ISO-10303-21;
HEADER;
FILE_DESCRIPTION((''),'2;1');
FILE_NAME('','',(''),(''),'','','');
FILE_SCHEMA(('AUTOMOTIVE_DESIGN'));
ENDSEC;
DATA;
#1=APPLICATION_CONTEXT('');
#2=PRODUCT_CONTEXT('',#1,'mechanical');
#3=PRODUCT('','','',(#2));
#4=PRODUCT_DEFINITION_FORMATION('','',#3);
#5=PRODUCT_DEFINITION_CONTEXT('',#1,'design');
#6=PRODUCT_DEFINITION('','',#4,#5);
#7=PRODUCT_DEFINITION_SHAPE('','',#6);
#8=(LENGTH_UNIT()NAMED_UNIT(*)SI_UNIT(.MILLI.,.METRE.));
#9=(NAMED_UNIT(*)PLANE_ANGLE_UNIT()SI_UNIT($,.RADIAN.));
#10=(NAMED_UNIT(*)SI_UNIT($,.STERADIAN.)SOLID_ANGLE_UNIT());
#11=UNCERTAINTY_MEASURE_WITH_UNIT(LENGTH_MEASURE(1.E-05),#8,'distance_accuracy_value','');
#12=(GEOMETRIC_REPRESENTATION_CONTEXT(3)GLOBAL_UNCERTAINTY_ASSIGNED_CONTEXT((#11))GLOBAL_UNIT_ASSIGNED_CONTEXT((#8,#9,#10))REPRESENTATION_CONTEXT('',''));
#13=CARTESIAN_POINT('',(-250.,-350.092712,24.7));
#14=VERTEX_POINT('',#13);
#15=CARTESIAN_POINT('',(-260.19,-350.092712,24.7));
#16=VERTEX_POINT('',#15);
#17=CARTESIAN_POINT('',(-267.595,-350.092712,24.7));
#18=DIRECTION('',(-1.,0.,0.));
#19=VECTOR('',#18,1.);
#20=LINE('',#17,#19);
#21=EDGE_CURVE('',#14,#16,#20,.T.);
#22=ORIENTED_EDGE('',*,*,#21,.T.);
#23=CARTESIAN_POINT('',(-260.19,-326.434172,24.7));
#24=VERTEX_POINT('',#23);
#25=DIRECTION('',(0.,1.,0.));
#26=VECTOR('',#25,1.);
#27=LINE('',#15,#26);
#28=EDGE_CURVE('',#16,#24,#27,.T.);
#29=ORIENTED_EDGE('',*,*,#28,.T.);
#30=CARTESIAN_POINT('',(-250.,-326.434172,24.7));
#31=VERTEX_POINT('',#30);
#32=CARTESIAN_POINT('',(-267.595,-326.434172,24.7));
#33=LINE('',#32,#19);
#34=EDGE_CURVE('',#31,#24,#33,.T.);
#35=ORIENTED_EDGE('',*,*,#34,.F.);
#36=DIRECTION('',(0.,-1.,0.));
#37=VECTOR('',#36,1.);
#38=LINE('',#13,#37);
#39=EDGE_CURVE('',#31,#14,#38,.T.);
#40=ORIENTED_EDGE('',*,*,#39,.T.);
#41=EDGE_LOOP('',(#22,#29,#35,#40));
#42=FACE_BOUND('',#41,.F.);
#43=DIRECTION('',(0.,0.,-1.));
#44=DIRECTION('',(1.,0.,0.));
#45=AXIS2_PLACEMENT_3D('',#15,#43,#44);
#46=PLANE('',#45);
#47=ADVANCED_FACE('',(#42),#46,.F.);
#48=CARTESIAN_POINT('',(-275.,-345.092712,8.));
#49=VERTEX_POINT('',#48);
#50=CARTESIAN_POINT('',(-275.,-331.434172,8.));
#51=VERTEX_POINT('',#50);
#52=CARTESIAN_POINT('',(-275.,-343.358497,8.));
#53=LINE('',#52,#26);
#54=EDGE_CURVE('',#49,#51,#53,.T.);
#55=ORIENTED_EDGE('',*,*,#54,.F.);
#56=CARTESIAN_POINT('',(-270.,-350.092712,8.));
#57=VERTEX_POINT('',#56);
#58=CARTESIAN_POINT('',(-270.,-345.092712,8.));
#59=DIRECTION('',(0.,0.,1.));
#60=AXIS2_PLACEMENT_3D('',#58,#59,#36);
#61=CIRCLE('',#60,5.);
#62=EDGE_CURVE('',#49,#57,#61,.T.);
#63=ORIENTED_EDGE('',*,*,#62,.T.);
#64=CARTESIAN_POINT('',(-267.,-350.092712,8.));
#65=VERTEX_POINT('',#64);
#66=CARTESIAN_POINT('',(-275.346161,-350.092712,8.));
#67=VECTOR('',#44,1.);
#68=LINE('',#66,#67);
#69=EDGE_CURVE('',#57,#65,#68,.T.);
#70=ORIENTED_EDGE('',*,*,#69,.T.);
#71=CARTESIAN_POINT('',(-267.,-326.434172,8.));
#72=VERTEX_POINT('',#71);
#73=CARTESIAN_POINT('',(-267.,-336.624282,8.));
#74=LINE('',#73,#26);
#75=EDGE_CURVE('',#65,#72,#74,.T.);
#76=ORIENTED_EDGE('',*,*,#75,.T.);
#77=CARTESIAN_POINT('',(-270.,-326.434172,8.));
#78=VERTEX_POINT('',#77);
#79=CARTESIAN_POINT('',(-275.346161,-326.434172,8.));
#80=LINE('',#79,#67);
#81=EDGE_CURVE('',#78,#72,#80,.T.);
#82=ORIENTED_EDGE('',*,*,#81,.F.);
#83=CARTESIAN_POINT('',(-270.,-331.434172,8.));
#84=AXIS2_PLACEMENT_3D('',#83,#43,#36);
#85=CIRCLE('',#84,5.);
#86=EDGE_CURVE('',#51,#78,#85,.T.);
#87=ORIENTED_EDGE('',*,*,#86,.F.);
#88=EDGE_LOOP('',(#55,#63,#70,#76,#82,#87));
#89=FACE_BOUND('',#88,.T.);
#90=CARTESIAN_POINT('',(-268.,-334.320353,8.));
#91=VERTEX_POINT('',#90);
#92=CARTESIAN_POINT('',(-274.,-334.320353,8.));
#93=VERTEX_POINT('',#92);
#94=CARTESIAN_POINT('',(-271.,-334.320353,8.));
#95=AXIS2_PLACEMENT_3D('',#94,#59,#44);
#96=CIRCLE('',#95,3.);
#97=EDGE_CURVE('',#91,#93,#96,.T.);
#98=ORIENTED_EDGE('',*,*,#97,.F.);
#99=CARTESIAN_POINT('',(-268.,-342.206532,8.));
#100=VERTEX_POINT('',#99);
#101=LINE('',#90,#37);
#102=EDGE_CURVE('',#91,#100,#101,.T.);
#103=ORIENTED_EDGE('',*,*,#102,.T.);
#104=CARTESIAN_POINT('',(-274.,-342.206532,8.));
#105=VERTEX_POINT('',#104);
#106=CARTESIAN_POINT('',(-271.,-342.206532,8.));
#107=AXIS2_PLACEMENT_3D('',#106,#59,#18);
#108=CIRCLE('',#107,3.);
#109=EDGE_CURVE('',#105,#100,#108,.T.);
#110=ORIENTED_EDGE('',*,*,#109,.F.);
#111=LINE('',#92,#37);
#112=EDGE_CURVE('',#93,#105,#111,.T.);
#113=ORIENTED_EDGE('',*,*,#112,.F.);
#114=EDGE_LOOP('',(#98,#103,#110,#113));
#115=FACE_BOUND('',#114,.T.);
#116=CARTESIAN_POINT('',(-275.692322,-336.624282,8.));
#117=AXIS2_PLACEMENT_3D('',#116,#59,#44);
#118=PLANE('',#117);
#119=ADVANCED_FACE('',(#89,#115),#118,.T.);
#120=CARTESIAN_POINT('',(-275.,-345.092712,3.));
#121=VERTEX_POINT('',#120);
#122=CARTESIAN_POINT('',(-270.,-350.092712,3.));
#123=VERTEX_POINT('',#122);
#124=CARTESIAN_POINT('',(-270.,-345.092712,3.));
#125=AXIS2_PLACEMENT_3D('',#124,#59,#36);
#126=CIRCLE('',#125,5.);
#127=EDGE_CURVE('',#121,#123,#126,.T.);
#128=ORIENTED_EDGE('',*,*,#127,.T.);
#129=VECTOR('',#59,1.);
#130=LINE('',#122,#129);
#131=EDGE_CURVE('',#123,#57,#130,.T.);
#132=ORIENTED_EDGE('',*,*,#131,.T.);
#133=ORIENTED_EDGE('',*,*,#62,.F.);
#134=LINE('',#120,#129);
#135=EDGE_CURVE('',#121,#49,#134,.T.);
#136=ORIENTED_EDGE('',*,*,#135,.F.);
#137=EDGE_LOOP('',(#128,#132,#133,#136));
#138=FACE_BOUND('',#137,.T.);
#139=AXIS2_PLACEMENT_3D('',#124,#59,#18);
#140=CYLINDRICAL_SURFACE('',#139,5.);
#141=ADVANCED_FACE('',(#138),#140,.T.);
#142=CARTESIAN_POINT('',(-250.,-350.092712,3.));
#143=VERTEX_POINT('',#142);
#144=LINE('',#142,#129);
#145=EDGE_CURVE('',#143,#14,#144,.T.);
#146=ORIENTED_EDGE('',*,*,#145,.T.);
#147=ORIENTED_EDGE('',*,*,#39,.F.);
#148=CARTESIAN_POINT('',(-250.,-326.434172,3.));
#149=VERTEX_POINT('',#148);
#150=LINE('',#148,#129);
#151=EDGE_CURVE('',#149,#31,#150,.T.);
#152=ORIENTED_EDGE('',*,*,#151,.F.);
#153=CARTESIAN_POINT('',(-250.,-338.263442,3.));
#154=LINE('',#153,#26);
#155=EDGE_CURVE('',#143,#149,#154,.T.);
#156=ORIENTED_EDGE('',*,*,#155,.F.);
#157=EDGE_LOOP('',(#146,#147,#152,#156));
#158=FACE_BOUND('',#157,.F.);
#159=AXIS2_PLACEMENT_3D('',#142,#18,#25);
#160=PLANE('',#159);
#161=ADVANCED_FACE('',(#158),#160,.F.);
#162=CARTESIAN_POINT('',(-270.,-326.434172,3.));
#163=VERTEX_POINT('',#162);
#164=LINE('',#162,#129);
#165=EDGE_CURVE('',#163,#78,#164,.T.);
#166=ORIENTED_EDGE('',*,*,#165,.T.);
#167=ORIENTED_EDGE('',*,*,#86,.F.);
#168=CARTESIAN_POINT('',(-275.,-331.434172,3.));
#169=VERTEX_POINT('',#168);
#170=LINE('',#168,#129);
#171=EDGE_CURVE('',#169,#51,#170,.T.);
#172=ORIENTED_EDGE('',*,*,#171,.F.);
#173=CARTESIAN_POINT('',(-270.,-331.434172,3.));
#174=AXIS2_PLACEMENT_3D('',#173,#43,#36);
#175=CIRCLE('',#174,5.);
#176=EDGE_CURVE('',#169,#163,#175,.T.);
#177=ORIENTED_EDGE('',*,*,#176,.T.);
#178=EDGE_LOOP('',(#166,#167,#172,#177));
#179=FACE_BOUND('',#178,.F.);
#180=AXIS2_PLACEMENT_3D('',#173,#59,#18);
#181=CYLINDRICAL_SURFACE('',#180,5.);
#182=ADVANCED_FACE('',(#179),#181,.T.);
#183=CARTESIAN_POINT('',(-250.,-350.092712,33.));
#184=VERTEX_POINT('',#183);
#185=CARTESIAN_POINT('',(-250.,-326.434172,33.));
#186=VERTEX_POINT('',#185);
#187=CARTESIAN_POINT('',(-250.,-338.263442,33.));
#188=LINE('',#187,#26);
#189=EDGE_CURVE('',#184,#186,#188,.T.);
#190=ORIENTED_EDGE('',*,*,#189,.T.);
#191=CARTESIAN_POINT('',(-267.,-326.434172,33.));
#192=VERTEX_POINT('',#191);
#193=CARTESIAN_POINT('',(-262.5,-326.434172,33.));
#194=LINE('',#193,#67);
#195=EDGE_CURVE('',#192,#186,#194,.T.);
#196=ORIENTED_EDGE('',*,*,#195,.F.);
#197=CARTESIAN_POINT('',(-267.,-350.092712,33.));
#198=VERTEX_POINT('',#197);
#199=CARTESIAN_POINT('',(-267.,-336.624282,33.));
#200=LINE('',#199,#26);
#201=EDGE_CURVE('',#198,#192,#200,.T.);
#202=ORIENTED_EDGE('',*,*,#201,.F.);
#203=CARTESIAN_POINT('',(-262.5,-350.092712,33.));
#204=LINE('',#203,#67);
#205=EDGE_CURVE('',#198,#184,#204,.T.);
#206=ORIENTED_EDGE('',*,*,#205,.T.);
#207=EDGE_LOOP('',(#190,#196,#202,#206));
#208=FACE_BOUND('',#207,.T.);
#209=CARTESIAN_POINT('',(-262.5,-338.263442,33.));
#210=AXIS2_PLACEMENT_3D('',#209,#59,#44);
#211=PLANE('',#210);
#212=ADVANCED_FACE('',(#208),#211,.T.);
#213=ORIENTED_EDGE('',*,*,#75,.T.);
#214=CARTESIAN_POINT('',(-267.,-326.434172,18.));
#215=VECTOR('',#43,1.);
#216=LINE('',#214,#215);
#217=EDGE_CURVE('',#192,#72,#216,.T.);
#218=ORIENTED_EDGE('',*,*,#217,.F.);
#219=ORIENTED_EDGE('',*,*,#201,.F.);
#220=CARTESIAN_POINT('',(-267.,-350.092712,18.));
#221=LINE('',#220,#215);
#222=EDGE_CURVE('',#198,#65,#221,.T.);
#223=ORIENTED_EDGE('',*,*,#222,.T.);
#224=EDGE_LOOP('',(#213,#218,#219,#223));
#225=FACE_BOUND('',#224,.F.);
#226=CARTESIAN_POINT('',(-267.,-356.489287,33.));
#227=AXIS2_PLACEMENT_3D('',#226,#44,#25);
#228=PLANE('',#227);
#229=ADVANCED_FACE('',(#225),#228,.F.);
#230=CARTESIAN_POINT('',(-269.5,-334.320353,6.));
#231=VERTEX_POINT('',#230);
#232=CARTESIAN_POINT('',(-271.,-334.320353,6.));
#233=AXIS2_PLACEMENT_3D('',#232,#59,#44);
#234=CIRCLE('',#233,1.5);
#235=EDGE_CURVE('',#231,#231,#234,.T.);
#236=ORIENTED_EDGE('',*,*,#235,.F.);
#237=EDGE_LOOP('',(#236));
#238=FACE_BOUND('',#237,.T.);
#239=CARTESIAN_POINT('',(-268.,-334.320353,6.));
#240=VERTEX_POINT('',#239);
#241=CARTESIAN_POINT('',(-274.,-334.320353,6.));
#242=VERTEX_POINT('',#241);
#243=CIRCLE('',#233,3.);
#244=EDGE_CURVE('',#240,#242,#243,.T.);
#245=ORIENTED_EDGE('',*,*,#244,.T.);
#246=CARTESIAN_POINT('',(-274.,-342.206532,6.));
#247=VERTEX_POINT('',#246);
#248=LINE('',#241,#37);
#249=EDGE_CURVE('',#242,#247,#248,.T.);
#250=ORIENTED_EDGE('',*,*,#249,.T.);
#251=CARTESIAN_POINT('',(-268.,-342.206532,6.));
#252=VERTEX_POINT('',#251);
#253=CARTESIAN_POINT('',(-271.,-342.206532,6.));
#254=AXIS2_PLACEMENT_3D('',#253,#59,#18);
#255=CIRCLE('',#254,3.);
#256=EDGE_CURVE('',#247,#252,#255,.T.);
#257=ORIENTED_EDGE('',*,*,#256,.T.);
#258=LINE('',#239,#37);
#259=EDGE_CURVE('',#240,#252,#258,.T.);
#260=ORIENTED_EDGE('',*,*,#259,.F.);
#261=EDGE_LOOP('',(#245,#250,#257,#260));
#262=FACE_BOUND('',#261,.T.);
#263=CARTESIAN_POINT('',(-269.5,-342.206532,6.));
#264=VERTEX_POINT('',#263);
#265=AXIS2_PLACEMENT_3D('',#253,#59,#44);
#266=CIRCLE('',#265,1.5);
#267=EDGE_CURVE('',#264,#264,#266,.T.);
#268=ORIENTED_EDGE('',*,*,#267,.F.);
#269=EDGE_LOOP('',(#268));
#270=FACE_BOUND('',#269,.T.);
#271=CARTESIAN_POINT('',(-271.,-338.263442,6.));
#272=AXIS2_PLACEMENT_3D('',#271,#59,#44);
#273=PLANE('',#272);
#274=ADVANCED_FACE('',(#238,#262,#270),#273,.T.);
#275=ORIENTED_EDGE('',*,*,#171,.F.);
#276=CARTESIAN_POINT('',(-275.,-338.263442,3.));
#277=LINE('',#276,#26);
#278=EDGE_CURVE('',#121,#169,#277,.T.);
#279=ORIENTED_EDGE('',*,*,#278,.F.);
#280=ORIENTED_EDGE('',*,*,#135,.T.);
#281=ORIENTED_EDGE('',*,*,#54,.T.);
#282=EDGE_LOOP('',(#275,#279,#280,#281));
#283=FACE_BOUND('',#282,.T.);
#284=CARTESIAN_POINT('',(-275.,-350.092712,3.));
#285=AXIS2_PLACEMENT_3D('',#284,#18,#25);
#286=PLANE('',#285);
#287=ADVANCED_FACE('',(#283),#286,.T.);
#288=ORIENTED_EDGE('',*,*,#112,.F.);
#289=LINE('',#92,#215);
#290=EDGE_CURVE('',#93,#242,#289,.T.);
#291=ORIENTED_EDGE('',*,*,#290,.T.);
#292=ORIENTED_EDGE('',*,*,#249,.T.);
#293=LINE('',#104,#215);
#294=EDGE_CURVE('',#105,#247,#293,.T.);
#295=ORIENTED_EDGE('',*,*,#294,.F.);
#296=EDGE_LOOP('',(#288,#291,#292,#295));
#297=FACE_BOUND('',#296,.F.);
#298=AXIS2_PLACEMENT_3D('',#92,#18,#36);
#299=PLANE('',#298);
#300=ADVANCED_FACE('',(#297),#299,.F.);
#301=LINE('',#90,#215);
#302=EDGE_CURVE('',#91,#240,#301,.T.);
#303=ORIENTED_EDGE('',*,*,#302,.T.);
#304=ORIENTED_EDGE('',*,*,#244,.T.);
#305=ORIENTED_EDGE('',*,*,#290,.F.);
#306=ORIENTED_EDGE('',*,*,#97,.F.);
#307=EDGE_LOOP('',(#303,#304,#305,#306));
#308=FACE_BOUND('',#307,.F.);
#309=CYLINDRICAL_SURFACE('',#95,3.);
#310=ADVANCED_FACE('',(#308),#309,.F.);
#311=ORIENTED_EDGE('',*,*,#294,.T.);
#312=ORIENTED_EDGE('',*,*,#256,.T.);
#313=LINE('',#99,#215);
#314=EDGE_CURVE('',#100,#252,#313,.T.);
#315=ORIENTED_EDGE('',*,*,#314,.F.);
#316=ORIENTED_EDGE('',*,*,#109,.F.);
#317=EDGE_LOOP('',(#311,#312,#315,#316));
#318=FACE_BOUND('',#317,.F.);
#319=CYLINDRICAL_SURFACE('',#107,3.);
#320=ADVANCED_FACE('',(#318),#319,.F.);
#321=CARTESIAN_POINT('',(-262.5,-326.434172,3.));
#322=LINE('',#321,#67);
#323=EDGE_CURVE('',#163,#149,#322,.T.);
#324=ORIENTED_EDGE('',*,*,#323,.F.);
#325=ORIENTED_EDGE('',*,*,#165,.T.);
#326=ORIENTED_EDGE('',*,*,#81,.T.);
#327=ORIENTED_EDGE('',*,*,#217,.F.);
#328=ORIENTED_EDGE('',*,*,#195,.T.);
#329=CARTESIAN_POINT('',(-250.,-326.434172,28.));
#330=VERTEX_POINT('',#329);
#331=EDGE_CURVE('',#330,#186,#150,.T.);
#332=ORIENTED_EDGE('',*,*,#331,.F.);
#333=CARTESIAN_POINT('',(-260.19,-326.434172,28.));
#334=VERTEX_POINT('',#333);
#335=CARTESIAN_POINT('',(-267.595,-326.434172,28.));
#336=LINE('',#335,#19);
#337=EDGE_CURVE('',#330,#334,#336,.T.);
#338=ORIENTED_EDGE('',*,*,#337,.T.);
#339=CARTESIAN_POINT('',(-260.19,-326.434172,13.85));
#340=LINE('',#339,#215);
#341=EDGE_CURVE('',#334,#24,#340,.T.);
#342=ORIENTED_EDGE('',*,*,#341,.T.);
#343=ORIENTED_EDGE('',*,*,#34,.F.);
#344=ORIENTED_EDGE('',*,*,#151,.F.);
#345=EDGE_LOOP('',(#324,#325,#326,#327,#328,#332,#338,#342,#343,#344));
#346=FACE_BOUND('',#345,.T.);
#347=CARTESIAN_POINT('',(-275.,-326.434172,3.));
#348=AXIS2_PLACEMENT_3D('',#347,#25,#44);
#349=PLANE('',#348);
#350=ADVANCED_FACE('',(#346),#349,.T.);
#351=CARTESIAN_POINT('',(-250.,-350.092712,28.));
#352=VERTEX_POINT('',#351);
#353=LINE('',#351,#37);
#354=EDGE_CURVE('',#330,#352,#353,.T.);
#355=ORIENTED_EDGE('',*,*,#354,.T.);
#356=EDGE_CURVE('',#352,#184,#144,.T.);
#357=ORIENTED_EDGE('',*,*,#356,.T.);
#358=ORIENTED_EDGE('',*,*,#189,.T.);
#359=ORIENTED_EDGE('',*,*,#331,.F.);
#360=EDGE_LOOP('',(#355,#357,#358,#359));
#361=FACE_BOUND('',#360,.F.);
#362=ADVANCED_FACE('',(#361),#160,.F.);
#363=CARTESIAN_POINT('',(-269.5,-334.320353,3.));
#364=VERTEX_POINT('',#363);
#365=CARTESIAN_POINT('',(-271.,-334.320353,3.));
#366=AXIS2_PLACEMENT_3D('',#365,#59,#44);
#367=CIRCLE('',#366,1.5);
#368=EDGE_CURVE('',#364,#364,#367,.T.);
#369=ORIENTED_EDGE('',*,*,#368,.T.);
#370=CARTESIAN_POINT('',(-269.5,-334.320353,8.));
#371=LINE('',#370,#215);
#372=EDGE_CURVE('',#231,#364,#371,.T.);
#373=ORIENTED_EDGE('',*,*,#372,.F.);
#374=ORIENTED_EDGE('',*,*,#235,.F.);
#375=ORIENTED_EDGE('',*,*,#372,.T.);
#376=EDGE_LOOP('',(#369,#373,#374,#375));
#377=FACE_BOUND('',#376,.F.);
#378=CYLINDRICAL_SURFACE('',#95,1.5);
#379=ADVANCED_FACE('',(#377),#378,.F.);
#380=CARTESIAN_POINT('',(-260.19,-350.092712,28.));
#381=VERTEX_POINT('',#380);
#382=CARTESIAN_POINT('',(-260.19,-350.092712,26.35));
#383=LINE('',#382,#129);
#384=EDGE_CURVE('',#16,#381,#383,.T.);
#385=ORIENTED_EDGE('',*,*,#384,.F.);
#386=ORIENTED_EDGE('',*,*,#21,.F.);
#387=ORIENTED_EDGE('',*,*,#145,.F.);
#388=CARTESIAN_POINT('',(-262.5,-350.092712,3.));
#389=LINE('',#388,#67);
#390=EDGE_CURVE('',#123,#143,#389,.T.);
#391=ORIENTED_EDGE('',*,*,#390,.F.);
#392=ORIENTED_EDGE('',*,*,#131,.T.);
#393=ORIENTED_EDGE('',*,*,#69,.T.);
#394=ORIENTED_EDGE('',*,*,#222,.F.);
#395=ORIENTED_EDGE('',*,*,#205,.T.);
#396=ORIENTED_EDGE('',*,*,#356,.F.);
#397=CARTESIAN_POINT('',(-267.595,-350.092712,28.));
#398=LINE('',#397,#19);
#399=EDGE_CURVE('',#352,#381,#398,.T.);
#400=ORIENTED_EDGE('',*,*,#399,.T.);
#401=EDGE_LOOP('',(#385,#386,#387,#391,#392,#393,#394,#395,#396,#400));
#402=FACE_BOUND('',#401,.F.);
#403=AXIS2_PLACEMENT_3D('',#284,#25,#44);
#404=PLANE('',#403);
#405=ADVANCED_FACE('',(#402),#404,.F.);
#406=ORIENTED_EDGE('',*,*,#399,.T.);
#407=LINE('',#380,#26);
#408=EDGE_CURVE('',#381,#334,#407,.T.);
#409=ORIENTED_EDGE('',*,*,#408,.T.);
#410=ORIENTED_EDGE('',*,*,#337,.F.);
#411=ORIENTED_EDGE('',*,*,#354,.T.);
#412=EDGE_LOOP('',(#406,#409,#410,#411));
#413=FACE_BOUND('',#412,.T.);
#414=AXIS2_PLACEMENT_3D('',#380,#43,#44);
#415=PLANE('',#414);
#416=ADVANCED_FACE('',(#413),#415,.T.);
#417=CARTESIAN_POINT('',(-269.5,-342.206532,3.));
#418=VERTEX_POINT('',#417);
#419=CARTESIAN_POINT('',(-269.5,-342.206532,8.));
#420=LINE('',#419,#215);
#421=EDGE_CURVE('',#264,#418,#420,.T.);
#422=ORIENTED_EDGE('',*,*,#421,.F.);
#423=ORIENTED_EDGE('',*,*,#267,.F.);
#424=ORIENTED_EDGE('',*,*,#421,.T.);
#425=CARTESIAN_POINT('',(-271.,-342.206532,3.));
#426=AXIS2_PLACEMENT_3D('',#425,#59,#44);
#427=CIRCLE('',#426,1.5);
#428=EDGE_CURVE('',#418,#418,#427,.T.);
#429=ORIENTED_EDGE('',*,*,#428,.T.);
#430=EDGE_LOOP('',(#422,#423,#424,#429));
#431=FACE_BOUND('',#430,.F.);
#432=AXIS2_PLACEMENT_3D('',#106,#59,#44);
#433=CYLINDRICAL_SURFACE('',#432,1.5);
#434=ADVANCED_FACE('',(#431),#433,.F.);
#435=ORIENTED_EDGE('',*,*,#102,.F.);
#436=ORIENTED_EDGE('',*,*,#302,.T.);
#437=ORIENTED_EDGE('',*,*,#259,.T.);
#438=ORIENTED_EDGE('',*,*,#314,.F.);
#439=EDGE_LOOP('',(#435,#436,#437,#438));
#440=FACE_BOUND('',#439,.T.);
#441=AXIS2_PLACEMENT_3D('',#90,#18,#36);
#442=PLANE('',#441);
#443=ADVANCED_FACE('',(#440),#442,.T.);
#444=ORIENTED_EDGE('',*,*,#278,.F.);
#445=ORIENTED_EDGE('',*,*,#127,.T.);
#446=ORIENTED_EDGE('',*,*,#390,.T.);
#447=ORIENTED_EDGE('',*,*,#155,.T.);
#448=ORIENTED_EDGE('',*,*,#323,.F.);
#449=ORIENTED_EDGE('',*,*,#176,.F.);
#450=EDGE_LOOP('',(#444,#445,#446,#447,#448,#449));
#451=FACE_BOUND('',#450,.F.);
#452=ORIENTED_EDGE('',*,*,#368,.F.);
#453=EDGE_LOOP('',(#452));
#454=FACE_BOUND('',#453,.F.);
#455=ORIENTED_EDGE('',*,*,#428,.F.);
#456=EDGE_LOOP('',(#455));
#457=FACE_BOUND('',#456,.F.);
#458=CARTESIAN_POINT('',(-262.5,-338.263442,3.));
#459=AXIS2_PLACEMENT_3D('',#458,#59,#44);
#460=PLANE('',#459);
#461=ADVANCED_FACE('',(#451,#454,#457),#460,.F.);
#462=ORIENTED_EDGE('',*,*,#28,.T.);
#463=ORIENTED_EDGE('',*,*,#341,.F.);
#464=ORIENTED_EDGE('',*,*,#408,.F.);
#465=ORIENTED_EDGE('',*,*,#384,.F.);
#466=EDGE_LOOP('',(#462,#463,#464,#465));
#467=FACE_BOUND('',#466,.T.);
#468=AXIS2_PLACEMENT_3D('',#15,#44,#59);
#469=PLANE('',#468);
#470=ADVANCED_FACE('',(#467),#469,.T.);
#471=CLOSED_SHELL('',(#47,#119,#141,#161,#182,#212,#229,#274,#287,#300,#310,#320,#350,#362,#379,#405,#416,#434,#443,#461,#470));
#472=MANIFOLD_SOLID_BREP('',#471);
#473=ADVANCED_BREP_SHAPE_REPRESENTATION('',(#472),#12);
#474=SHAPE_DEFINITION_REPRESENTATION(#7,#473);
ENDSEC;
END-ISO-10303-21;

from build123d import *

# Parameters (mm, degrees)
SKETCH010_W     = 25
SKETCH010_H     = 23.658539
PAD002_DEPTH    = 30
SKETCH011_W     = 17.384644
SKETCH011_H     = 39.730011
POCKET008_DEPTH = 25
SKETCH012_R     = 1.5
POCKET009_DEPTH = 5.001
POCKET010_DEPTH = 2
SKETCH014_W     = 12.358228
SKETCH014_H     = 3.3
POCKET011_DEPTH = 23.659539
FILLET004_R     = 5


with BuildPart() as part:
    # Sketch010 → Pad002 (new body)
    with BuildSketch(Plane.XY):
        with Locations((-262.5, -338.263442)):
            Rectangle(SKETCH010_W, SKETCH010_H)
    extrude(amount=PAD002_DEPTH)

    # Sketch011 (on Face6 of Pad002) → Pocket008 (cut)
    with BuildSketch(Plane.XY.offset(30)):
        with Locations((-275.692322, -336.624282)):
            Rectangle(SKETCH011_W, SKETCH011_H)
    extrude(amount=-POCKET008_DEPTH, mode=Mode.SUBTRACT)

    # Sketch012 (on Face6 of Pocket008) → Pocket009 (cut, through all)
    with BuildSketch(Plane.XY.offset(5)):
        with Locations((-271, -334.320353)):
            Circle(SKETCH012_R)
        with Locations((-271, -342.206532)):
            Circle(SKETCH012_R)
    extrude(amount=-POCKET009_DEPTH, mode=Mode.SUBTRACT)

    # Sketch013 (on Face6 of Pocket009) → Pocket010 (cut)
    with BuildSketch(Plane.XY.offset(5)):
        with BuildLine():
            ThreePointArc((-268, -334.320353), (-271, -331.320353), (-274, -334.320353))
            Line((-274, -334.320353), (-274, -342.206532))
            ThreePointArc((-274, -342.206532), (-271, -345.206532), (-268, -342.206532))
            Line((-268, -334.320353), (-268, -342.206532))
        make_face()
    extrude(amount=-POCKET010_DEPTH, mode=Mode.SUBTRACT)

    # Sketch014 (on Face1 of Pocket010) → Pocket011 (cut, through all)
    with BuildSketch(Plane.XZ.offset(350.092712)):
        with Locations((-254.010886, 23.35)):
            Rectangle(SKETCH014_W, SKETCH014_H)
    extrude(amount=-POCKET011_DEPTH, mode=Mode.SUBTRACT)

    # Fillet004
    fillet004_edges = [part.edges().sort_by_distance(p)[0] for p in [
        (-275, -326.434173, 2.5),
        (-275, -350.092712, 2.5),
    ]]
    fillet(fillet004_edges, radius=FILLET004_R)


with BuildPart() as part_1:
    # Body002 placement: moved
    add(part.part.moved(Location((0, 0, 3))))


solid = part_1.part
